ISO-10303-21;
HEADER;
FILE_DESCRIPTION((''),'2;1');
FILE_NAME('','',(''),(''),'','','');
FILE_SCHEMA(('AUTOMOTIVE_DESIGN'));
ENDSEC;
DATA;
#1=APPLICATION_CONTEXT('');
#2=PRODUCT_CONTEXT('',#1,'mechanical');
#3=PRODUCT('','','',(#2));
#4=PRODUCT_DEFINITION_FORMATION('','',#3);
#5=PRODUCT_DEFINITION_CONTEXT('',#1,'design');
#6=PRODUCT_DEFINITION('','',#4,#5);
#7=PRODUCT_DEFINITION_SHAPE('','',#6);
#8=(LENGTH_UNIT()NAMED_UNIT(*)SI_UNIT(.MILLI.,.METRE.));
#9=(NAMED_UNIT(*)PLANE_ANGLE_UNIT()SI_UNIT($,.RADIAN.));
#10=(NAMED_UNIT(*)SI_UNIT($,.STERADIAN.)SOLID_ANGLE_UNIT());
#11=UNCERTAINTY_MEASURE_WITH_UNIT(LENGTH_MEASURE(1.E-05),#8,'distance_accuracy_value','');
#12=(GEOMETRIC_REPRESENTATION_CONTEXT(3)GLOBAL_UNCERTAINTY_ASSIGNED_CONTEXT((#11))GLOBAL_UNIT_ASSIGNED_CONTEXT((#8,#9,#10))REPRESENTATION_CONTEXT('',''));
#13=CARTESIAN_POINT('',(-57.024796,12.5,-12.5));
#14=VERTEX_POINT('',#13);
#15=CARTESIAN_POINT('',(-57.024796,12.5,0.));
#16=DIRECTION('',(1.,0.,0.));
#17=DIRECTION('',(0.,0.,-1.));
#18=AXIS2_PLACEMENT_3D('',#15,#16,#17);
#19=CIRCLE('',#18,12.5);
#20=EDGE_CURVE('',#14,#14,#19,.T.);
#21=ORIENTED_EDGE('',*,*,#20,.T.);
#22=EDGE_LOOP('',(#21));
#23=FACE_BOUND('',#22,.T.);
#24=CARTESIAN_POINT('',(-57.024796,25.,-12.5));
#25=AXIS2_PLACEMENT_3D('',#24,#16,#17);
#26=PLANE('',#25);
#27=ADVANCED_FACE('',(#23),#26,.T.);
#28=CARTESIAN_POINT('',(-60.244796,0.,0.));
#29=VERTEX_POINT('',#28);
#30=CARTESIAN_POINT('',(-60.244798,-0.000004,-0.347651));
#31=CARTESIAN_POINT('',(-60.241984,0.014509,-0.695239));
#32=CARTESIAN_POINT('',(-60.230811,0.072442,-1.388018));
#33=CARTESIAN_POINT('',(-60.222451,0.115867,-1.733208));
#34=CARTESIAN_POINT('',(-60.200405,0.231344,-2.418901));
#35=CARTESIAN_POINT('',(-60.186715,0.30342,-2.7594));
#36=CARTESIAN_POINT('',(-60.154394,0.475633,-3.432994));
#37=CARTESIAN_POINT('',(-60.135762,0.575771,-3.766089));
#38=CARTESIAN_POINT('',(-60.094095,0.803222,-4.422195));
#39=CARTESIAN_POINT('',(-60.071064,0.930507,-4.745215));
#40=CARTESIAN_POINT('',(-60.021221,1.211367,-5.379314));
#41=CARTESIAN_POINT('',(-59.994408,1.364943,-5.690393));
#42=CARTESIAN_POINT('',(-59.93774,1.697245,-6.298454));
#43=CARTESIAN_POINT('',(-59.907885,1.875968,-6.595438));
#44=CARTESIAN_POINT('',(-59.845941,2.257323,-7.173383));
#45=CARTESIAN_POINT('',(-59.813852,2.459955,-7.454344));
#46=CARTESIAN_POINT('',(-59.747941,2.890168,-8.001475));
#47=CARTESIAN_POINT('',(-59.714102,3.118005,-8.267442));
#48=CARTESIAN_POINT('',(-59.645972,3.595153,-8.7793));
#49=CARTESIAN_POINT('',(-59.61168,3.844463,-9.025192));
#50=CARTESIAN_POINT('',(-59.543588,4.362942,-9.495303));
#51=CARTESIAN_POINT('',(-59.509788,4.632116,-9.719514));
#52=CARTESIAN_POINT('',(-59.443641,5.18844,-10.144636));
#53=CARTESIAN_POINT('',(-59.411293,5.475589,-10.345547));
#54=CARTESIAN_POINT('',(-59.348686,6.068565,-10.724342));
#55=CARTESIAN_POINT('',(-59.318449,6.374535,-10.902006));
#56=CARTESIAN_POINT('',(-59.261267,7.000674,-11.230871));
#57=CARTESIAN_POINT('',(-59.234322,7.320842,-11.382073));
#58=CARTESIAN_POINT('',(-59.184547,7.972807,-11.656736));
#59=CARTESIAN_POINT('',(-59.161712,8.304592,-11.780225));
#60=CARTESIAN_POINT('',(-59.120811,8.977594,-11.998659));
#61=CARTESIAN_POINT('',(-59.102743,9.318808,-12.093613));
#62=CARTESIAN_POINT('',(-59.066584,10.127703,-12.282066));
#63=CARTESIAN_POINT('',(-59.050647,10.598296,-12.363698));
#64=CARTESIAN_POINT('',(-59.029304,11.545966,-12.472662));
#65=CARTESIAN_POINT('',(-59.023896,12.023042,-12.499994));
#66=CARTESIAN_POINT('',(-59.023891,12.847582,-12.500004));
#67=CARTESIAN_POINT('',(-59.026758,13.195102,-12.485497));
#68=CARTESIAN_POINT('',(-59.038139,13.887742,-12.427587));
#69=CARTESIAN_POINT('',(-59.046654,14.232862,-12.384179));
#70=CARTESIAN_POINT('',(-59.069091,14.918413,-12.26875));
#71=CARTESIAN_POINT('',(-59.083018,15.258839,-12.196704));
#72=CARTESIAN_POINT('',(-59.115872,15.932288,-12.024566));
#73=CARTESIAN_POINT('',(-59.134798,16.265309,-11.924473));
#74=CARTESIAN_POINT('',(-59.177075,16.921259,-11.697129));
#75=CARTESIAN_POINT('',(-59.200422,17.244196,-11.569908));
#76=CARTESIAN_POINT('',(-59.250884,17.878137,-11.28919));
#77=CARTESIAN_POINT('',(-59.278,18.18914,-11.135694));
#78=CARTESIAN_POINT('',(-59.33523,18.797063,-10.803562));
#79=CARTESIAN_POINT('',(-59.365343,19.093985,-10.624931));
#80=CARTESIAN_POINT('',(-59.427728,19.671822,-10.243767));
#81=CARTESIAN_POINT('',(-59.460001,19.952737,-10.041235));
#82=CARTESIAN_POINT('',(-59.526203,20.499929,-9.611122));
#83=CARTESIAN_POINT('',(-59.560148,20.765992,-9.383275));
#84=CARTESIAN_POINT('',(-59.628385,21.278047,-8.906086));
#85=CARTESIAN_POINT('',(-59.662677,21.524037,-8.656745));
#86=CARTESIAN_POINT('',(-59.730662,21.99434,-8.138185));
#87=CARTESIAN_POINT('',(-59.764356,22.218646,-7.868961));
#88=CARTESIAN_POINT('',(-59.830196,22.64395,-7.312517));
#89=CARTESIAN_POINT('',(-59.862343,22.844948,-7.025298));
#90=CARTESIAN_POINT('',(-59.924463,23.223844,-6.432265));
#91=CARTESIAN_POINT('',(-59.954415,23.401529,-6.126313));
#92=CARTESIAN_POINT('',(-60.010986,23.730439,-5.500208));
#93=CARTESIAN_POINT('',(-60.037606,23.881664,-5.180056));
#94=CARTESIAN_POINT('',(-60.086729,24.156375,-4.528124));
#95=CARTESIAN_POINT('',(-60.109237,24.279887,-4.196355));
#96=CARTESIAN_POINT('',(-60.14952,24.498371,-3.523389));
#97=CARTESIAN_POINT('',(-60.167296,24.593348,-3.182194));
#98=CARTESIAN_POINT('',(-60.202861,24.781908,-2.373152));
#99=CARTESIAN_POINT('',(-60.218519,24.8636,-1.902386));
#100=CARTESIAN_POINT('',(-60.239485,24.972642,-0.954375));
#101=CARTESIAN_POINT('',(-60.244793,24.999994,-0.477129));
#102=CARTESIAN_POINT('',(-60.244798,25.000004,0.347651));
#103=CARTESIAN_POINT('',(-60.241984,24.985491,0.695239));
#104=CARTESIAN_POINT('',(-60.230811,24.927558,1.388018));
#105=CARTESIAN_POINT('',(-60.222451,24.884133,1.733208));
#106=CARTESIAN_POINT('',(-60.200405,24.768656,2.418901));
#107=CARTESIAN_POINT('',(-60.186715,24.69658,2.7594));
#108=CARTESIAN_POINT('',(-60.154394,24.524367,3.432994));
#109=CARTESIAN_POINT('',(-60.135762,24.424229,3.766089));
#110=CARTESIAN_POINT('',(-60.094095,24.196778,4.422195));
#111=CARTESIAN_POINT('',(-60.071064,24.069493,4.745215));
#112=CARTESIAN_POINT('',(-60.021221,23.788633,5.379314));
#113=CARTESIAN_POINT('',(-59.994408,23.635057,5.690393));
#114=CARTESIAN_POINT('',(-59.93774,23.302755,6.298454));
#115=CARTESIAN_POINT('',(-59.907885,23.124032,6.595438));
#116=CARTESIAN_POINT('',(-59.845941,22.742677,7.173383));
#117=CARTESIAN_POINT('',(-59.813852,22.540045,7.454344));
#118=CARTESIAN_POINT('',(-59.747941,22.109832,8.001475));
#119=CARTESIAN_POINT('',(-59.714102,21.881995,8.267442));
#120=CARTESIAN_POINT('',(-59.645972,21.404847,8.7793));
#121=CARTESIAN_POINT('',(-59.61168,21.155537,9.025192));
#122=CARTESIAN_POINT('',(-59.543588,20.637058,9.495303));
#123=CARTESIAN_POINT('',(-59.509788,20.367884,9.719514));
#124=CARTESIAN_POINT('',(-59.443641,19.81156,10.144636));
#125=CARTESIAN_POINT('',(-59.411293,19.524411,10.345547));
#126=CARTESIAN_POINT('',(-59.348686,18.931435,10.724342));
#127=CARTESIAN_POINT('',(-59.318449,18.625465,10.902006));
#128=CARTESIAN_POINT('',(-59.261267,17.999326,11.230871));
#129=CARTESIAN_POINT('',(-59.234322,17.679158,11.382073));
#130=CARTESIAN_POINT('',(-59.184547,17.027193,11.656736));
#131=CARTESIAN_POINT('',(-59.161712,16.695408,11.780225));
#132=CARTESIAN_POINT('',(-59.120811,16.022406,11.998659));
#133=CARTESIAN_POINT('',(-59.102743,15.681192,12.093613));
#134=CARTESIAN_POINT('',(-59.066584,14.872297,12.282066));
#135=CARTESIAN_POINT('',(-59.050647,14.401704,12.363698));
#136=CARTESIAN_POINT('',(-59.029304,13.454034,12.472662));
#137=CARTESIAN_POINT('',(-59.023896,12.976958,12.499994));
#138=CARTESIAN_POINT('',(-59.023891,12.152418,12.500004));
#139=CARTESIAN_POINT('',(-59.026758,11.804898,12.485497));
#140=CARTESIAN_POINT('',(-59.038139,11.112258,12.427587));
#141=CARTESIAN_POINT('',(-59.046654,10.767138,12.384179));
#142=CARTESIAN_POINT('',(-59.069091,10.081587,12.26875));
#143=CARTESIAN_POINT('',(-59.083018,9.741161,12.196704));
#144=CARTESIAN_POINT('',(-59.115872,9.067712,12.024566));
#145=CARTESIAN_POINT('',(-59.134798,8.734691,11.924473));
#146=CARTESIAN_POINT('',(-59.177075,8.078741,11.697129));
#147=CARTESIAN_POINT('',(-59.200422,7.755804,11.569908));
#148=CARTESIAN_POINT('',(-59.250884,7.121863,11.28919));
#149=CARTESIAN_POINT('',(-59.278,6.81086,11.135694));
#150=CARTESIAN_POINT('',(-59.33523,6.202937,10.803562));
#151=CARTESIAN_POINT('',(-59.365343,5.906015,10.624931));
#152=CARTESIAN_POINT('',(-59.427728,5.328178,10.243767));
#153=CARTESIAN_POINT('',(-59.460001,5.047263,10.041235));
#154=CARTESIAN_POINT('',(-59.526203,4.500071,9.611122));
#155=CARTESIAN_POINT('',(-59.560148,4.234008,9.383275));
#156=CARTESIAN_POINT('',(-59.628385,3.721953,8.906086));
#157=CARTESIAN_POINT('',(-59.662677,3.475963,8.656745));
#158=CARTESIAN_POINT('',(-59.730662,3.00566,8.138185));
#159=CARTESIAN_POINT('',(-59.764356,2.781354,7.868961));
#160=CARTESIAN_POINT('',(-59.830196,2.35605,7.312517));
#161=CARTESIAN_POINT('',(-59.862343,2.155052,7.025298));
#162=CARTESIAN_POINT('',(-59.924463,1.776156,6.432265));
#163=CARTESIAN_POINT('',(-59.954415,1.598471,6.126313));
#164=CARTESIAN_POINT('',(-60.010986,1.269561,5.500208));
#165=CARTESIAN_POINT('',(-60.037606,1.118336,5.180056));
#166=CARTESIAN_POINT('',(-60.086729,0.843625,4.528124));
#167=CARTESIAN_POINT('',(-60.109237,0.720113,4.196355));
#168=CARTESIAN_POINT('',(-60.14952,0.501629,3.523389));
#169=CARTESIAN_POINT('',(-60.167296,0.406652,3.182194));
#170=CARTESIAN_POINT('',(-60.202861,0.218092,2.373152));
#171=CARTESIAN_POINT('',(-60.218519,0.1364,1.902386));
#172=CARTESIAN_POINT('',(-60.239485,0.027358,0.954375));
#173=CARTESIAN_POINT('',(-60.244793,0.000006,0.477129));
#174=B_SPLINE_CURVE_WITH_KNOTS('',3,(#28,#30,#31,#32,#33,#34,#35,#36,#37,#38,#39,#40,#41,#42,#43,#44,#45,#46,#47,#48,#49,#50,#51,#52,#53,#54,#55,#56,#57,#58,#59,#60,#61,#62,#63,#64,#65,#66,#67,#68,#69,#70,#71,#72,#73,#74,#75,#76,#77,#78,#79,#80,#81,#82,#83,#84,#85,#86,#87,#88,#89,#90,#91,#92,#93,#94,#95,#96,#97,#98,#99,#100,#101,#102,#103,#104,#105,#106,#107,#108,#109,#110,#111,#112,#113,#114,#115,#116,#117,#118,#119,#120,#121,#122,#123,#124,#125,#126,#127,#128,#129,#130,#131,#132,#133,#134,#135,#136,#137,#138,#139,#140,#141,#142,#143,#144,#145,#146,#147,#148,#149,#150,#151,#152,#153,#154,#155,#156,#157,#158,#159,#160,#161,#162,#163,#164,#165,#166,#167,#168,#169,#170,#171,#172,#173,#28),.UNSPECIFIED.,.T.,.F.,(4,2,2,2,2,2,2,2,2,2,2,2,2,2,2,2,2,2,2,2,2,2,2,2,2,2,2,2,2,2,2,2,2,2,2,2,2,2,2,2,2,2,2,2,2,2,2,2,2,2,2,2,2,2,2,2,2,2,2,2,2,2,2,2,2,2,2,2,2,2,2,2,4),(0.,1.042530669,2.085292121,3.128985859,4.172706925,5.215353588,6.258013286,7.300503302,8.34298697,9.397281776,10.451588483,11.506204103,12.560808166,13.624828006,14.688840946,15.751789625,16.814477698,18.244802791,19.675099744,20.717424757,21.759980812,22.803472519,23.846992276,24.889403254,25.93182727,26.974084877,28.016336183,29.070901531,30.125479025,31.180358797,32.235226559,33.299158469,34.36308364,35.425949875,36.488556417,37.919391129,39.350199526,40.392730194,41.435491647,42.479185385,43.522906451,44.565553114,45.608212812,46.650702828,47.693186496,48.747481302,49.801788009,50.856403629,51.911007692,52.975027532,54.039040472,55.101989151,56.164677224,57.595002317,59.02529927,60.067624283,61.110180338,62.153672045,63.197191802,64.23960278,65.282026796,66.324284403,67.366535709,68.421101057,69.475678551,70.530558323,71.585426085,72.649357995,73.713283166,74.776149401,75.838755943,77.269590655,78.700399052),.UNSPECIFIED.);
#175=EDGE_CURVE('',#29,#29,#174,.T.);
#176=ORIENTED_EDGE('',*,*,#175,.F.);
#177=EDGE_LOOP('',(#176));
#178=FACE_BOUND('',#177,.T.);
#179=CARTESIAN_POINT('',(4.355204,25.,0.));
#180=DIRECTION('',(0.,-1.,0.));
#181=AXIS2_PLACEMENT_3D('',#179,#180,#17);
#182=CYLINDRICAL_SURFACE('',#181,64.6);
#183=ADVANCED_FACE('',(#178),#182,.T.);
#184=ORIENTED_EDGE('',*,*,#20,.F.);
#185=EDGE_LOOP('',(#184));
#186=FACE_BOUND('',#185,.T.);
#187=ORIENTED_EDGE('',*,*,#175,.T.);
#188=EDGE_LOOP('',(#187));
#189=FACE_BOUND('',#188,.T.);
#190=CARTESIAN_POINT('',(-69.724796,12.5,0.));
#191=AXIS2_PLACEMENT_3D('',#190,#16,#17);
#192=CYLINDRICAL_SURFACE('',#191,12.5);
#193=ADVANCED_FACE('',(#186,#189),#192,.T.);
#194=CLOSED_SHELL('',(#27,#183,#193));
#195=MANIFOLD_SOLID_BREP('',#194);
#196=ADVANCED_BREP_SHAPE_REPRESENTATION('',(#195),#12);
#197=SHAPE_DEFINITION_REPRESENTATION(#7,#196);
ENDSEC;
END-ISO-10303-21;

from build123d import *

# Parameters (mm, degrees)
EXTRUDE_1_DEPTH     = 25
CUT_EXTRUDE_8_DEPTH = 12.7


with BuildPart() as part:
    # 草图1 → 凸台-拉伸1 (new body)
    with BuildSketch(Plane(origin=(0, 0, 0), x_dir=(1, 0, 0), z_dir=(0, 1, 0))):
        with BuildLine():
            Line((-59.023893166, 12.5), (-57.024795665, 12.5))
            Line((-57.024795665, 12.5), (-57.024795665, -12.5))
            Line((-57.024795665, -12.5), (-59.023893166, -12.5))
            ThreePointArc((-59.023893166, -12.5), (-60.244795665, 0), (-59.023893166, 12.5))
        make_face()
    extrude(amount=EXTRUDE_1_DEPTH)

    # 草图2 → 切除-拉伸8 (cut)
    with BuildSketch(Plane(origin=(-57.024795665, 0, 0), x_dir=(0, 0, -1), z_dir=(1, 0, 0))):
        with BuildLine():
            Line((-12.5, 25), (-12.5, 12.5))
            ThreePointArc((-12.5, 12.5), (-8.838834765, 21.338834765), (0, 25))
            Line((0, 25), (-12.5, 25))
        make_face()
        with BuildLine():
            ThreePointArc((0, 25), (8.838834765, 21.338834765), (12.5, 12.5))
            Line((12.5, 12.5), (12.5, 25))
            Line((12.5, 25), (0, 25))
        make_face()
        with BuildLine():
            ThreePointArc((12.5, 12.5), (8.838834765, 3.661165235), (0, 0))
            Line((0, 0), (12.5, 0))
            Line((12.5, 0), (12.5, 12.5))
        make_face()
        with BuildLine():
            Line((-12.5, 12.5), (-12.5, 0))
            Line((-12.5, 0), (0, 0))
            ThreePointArc((0, 0), (-8.838834765, 3.661165235), (-12.5, 12.5))
        make_face()
    extrude(amount=-CUT_EXTRUDE_8_DEPTH, mode=Mode.SUBTRACT)


solid = part.part
